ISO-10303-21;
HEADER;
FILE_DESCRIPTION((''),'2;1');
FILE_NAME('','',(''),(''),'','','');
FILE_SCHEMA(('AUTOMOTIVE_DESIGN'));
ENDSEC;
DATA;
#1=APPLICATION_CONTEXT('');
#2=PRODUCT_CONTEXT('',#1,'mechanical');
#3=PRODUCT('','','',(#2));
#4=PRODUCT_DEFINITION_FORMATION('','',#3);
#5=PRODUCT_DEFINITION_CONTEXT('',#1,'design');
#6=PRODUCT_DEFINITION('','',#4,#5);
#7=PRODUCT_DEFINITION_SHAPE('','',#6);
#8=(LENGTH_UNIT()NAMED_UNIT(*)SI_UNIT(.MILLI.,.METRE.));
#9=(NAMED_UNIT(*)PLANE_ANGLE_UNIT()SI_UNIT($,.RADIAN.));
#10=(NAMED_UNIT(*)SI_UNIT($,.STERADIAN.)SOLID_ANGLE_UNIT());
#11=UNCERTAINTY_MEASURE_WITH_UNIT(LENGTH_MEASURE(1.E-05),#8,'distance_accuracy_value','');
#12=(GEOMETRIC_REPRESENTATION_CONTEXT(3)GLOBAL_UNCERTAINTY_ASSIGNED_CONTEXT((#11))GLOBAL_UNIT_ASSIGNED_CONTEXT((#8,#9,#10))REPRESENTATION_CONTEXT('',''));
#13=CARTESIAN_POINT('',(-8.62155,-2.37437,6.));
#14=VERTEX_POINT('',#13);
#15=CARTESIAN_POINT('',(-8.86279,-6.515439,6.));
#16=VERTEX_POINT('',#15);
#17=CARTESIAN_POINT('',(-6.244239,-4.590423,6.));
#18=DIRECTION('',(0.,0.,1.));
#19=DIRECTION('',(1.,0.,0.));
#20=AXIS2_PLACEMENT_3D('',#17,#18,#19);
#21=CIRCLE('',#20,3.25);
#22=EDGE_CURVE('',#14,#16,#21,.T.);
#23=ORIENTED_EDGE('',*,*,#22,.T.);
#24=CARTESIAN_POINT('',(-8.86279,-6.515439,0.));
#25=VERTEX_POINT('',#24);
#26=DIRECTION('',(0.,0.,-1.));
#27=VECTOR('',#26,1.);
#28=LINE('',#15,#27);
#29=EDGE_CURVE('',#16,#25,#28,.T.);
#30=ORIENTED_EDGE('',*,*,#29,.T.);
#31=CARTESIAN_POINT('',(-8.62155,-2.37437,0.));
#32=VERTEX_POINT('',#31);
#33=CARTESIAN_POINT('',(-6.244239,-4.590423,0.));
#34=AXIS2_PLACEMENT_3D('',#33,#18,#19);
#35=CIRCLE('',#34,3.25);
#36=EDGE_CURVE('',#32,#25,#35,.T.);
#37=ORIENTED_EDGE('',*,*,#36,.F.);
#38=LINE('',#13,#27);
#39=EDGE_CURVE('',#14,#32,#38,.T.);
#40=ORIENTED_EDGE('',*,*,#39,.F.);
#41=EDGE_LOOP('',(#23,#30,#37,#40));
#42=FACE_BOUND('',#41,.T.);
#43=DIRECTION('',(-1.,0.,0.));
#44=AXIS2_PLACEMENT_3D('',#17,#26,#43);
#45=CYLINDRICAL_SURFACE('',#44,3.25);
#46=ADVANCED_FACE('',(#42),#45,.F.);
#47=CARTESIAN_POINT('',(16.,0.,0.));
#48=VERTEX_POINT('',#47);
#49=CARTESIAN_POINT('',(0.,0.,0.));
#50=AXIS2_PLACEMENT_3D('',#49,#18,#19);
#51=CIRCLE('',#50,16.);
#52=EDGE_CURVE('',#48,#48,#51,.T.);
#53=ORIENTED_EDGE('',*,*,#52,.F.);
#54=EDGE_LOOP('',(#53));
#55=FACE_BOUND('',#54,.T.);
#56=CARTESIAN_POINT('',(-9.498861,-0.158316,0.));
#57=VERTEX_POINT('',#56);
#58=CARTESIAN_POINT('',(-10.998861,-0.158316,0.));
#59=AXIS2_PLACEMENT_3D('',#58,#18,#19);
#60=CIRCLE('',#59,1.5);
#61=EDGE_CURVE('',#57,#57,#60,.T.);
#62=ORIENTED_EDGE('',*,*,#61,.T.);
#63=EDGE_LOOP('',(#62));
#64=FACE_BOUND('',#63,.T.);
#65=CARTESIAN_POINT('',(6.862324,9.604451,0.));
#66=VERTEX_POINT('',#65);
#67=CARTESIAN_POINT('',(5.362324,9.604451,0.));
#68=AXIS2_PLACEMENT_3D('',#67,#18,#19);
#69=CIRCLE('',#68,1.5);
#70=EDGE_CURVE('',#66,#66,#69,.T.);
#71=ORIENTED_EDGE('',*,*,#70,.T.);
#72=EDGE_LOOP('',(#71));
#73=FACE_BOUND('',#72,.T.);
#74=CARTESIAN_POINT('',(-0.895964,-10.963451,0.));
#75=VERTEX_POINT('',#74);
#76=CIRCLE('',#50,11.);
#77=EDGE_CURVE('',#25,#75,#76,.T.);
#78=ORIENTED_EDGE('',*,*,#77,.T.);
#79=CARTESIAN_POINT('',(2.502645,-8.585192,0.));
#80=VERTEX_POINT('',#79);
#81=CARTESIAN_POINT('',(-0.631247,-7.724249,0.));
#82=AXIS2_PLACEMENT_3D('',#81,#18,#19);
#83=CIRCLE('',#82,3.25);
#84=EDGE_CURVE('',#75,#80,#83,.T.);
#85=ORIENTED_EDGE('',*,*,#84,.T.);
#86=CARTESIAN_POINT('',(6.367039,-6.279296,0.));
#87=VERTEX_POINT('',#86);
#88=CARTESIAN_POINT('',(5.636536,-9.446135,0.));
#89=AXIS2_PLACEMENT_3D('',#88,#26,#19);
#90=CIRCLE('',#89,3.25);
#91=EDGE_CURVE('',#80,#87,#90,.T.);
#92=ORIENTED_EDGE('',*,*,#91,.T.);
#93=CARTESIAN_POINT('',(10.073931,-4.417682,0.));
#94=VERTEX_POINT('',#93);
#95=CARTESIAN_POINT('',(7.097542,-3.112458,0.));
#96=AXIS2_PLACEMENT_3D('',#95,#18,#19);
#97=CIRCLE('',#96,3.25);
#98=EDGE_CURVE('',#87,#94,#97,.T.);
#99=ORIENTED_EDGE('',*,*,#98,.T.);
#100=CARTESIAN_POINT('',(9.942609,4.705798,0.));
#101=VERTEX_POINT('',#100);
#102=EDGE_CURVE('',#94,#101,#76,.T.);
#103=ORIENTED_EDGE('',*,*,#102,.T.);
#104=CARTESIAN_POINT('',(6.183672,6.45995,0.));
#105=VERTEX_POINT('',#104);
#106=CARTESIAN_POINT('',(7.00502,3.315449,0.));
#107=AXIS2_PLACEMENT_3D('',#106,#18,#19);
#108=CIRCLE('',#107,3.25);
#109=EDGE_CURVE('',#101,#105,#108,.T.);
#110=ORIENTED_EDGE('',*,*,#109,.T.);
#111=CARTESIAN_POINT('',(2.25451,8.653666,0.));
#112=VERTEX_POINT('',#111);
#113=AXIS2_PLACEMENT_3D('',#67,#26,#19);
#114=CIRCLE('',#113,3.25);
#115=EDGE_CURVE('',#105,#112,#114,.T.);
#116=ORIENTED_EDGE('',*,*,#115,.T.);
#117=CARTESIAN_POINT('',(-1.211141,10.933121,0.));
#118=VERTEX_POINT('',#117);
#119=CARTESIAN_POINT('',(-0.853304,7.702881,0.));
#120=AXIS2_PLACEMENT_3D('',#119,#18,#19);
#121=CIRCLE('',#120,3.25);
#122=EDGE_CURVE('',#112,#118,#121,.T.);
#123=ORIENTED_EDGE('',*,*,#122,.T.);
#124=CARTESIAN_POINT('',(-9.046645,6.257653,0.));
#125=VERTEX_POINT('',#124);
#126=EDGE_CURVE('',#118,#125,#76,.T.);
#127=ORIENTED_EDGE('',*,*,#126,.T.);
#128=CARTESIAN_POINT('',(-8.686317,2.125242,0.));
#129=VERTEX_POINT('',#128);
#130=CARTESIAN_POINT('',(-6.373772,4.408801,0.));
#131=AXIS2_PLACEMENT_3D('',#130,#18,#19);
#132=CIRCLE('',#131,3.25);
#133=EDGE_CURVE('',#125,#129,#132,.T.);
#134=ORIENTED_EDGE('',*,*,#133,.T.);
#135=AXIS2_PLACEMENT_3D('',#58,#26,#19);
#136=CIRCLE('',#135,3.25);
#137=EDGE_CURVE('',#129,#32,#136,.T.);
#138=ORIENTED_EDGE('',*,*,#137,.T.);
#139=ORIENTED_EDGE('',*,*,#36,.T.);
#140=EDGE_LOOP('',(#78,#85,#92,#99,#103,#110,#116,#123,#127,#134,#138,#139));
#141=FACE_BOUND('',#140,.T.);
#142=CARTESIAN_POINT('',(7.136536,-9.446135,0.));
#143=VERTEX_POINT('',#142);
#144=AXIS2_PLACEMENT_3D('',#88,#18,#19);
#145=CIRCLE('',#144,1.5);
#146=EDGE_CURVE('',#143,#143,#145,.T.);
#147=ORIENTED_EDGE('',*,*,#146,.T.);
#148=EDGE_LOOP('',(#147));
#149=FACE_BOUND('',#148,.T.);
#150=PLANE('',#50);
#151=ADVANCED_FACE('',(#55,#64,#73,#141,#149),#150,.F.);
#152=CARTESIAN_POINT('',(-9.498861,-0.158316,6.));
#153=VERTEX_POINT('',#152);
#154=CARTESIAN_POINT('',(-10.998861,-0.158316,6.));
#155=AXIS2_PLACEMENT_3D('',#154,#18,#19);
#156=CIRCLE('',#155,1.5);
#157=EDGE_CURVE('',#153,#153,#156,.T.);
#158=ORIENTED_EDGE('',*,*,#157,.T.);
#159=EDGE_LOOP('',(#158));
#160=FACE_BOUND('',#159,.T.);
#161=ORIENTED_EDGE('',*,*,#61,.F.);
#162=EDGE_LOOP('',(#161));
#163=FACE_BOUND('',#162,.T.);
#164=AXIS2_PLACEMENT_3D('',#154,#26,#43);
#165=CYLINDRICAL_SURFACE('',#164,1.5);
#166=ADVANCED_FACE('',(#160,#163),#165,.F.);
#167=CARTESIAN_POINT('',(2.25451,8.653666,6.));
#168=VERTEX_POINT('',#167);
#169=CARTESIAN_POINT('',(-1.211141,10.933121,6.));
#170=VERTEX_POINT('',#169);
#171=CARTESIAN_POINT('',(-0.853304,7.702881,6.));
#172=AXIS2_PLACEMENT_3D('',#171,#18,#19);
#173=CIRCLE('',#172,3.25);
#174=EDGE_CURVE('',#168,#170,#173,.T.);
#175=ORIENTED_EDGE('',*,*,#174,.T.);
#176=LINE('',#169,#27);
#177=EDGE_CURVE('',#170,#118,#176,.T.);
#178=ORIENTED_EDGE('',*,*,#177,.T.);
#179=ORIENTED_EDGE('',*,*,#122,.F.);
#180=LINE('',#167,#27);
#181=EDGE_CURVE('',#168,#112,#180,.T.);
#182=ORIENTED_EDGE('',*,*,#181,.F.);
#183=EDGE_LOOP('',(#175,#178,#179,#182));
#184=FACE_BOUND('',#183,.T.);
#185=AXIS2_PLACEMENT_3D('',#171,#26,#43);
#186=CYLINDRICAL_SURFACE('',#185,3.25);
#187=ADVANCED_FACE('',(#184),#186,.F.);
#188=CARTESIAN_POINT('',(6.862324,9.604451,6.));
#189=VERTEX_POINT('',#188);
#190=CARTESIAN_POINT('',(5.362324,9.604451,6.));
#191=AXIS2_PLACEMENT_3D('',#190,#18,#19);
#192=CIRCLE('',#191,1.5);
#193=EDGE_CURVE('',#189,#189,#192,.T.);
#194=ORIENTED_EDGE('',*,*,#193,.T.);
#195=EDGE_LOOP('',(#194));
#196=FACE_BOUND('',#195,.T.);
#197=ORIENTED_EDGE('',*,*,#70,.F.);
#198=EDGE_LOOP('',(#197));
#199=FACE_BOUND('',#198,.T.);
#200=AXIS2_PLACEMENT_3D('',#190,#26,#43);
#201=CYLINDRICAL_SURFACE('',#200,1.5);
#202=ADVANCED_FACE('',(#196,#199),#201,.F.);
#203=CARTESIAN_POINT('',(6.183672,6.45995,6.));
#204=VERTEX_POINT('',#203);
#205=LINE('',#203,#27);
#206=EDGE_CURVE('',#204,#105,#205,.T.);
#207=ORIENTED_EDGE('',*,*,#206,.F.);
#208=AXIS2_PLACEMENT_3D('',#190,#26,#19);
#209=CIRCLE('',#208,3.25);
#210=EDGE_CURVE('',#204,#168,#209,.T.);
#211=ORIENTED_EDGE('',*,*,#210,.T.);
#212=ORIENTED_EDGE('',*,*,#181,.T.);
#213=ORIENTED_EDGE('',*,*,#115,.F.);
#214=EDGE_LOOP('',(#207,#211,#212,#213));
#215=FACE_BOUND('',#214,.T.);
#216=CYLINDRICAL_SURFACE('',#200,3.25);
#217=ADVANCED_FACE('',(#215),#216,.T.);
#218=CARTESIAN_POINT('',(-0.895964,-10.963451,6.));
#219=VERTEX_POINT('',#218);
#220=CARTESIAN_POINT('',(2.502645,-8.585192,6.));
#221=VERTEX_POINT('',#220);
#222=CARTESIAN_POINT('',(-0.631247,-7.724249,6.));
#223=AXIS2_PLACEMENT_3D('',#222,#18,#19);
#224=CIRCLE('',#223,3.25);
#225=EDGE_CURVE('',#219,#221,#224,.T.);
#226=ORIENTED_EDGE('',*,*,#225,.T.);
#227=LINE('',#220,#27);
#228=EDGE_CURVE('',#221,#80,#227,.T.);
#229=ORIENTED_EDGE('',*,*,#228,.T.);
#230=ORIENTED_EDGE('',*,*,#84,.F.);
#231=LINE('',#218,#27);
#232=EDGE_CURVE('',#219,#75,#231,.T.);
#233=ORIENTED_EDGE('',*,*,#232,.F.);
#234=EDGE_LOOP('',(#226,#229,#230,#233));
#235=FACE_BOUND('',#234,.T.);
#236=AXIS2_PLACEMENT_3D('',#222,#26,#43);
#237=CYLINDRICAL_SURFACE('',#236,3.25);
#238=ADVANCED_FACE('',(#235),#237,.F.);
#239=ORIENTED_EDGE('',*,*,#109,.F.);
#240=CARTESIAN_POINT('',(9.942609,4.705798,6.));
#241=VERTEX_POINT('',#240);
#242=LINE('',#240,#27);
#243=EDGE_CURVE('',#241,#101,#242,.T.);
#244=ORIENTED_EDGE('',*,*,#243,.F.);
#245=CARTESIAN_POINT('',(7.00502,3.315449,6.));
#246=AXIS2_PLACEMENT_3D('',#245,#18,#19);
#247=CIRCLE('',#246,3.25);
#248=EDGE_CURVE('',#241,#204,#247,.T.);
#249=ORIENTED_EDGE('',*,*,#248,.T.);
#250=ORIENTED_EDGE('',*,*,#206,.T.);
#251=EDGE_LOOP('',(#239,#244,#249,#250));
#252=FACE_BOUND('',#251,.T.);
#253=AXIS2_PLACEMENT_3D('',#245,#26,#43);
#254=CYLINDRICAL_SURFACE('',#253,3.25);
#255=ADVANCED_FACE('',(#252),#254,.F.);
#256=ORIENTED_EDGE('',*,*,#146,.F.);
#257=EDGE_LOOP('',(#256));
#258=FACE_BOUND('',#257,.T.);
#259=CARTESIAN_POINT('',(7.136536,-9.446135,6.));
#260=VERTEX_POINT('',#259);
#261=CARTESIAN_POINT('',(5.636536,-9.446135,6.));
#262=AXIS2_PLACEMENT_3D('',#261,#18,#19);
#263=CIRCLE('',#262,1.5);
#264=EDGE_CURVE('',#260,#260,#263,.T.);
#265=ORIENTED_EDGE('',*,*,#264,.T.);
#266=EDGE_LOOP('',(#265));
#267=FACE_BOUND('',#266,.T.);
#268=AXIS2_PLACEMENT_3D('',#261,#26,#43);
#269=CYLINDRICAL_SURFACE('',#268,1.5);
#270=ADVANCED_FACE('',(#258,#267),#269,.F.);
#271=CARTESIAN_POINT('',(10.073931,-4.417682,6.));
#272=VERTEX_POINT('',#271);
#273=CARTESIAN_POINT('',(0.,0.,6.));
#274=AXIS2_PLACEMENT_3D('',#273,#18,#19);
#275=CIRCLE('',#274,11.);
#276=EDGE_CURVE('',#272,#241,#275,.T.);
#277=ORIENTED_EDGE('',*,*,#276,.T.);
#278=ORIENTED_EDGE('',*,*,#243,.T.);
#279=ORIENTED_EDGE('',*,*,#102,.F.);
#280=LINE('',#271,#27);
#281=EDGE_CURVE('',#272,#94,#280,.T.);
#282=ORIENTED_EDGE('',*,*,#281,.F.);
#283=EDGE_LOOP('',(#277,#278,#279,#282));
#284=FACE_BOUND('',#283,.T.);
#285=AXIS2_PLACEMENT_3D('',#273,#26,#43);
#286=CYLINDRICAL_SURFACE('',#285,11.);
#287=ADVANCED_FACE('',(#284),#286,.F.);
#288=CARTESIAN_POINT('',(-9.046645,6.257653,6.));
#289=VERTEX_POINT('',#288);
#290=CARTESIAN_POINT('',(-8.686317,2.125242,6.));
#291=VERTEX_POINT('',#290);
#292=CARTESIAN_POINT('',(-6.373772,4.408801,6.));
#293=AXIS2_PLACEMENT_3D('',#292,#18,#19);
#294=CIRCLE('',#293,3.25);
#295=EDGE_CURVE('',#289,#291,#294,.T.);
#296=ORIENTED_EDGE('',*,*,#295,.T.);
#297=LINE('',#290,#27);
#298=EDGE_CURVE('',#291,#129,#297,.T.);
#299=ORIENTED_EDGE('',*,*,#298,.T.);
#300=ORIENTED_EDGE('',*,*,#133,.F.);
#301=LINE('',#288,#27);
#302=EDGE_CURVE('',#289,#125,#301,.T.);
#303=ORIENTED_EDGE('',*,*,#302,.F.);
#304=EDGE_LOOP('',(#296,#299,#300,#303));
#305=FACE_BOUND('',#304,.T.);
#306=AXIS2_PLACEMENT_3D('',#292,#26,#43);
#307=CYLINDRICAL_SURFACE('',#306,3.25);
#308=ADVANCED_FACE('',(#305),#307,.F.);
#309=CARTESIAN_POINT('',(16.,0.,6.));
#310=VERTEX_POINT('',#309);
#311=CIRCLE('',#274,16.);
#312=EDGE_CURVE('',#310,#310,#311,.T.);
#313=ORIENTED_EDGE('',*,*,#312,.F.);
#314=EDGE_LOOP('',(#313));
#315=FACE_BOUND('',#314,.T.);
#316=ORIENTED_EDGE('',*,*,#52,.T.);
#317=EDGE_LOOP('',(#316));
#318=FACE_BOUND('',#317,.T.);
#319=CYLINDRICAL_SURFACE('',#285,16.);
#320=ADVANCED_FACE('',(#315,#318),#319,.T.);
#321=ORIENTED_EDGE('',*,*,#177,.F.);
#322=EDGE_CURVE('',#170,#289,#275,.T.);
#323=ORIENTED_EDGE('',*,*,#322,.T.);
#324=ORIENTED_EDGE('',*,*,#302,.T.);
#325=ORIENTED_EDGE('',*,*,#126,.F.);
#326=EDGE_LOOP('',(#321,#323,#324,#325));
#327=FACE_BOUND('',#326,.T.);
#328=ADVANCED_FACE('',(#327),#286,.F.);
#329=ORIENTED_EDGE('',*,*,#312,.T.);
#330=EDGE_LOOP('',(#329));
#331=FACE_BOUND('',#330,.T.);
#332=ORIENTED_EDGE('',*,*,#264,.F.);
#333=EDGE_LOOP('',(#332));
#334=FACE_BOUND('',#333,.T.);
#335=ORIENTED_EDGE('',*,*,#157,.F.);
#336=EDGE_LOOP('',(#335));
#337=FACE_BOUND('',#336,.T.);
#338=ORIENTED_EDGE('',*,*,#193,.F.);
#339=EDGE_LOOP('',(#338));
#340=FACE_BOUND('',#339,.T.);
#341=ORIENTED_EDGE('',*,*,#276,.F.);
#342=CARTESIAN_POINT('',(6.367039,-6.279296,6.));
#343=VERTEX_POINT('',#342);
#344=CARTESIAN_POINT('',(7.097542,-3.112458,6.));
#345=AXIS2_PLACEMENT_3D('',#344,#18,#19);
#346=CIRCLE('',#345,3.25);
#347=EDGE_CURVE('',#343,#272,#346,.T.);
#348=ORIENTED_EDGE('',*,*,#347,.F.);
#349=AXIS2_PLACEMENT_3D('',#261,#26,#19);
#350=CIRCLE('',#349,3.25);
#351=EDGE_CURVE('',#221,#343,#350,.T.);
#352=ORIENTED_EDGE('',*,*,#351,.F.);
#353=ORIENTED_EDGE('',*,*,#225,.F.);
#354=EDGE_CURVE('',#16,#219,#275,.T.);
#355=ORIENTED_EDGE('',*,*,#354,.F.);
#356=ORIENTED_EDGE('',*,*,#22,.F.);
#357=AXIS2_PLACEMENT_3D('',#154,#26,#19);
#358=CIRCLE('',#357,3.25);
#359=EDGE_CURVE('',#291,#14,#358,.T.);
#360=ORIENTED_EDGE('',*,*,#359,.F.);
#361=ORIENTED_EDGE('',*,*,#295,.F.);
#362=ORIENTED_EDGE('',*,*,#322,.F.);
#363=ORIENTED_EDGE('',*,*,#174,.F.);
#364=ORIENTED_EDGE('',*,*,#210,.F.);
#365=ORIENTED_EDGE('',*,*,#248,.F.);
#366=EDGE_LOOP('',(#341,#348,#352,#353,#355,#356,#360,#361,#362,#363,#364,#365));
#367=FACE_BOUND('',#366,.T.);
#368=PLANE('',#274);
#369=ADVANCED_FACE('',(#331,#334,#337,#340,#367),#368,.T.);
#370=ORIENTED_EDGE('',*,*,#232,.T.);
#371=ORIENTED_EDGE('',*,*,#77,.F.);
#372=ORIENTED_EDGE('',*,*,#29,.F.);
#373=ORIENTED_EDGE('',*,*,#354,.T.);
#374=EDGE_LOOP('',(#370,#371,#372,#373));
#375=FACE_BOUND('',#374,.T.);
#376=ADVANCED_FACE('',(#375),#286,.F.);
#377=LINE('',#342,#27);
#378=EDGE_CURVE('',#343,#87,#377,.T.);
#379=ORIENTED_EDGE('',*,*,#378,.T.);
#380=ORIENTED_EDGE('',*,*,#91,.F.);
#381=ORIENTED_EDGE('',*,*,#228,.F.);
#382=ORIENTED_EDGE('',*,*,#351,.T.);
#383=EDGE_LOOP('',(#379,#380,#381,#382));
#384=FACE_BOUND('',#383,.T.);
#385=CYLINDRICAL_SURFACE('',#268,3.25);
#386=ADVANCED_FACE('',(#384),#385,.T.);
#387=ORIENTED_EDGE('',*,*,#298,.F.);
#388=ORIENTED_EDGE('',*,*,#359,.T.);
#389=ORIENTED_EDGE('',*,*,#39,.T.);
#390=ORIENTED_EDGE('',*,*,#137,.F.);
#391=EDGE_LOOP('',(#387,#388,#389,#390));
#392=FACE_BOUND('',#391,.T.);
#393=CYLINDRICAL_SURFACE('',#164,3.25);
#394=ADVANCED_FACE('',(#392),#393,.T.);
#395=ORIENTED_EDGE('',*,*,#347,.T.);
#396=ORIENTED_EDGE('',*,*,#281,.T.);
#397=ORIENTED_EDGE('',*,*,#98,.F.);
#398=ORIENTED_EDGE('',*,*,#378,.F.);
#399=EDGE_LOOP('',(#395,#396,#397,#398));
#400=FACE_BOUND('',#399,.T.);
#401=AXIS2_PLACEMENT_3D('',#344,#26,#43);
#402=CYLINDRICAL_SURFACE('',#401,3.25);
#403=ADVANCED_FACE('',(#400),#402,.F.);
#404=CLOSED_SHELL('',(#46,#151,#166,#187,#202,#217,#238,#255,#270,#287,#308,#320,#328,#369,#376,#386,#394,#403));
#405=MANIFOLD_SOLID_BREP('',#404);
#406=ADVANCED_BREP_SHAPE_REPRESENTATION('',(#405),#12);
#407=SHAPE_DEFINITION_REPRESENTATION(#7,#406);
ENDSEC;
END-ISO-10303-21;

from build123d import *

# Parameters (mm, degrees)
ESQUISSE1_R        = 16
ESQUISSE1_R_2      = 1.5
BOSS_EXTRU_1_DEPTH = 6


with BuildPart() as part:
    # Esquisse1 → Boss.-Extru.1 (new body)
    with BuildSketch(Plane.XY):
        Circle(ESQUISSE1_R)
        with Locations((-10.998860664, -0.15831643)):
            Circle(ESQUISSE1_R_2, mode=Mode.SUBTRACT)
        with Locations((5.362324282, 9.604450963)):
            Circle(ESQUISSE1_R_2, mode=Mode.SUBTRACT)
        with Locations((5.636536382, -9.446134533)):
            Circle(ESQUISSE1_R_2, mode=Mode.SUBTRACT)
        with BuildLine():
            ThreePointArc((-8.621549645, -2.37436975), (-7.749197286, -0.111541121), (-8.68631658, 2.125242166))
            ThreePointArc((-8.68631658, 2.125242166), (-9.611487496, 4.126486074), (-9.046644834, 6.257652695))
            ThreePointArc((-9.046644834, 6.257652695), (-5.636536382, 9.446134533), (-1.211140708, 10.933121155))
            ThreePointArc((-1.211140708, 10.933121155), (0.932633718, 10.418194352), (2.254510301, 8.653665888))
            ThreePointArc((2.254510301, 8.653665888), (3.778001199, 6.766772269), (6.183671995, 6.459949741))
            ThreePointArc((6.183671995, 6.459949741), (8.379385516, 6.260549303), (9.942608619, 4.705797898))
            ThreePointArc((9.942608619, 4.705797898), (10.998860664, 0.15831643), (10.073931017, -4.417681957))
            ThreePointArc((10.073931017, -4.417681957), (8.556104111, -6.016781668), (6.367039345, -6.279296138))
            ThreePointArc((6.367039345, -6.279296138), (3.971196087, -6.655231148), (2.502644585, -8.585191907))
            ThreePointArc((2.502644585, -8.585191907), (1.23210198, -10.387035376), (-0.895963785, -10.963450593))
            ThreePointArc((-0.895963785, -10.963450593), (-5.362324282, -9.604450963), (-8.862790309, -6.515439198))
            ThreePointArc((-8.862790309, -6.515439198), (-9.488737829, -4.401412684), (-8.621549645, -2.37436975))
        make_face(mode=Mode.SUBTRACT)
    extrude(amount=BOSS_EXTRU_1_DEPTH)


solid = part.part
